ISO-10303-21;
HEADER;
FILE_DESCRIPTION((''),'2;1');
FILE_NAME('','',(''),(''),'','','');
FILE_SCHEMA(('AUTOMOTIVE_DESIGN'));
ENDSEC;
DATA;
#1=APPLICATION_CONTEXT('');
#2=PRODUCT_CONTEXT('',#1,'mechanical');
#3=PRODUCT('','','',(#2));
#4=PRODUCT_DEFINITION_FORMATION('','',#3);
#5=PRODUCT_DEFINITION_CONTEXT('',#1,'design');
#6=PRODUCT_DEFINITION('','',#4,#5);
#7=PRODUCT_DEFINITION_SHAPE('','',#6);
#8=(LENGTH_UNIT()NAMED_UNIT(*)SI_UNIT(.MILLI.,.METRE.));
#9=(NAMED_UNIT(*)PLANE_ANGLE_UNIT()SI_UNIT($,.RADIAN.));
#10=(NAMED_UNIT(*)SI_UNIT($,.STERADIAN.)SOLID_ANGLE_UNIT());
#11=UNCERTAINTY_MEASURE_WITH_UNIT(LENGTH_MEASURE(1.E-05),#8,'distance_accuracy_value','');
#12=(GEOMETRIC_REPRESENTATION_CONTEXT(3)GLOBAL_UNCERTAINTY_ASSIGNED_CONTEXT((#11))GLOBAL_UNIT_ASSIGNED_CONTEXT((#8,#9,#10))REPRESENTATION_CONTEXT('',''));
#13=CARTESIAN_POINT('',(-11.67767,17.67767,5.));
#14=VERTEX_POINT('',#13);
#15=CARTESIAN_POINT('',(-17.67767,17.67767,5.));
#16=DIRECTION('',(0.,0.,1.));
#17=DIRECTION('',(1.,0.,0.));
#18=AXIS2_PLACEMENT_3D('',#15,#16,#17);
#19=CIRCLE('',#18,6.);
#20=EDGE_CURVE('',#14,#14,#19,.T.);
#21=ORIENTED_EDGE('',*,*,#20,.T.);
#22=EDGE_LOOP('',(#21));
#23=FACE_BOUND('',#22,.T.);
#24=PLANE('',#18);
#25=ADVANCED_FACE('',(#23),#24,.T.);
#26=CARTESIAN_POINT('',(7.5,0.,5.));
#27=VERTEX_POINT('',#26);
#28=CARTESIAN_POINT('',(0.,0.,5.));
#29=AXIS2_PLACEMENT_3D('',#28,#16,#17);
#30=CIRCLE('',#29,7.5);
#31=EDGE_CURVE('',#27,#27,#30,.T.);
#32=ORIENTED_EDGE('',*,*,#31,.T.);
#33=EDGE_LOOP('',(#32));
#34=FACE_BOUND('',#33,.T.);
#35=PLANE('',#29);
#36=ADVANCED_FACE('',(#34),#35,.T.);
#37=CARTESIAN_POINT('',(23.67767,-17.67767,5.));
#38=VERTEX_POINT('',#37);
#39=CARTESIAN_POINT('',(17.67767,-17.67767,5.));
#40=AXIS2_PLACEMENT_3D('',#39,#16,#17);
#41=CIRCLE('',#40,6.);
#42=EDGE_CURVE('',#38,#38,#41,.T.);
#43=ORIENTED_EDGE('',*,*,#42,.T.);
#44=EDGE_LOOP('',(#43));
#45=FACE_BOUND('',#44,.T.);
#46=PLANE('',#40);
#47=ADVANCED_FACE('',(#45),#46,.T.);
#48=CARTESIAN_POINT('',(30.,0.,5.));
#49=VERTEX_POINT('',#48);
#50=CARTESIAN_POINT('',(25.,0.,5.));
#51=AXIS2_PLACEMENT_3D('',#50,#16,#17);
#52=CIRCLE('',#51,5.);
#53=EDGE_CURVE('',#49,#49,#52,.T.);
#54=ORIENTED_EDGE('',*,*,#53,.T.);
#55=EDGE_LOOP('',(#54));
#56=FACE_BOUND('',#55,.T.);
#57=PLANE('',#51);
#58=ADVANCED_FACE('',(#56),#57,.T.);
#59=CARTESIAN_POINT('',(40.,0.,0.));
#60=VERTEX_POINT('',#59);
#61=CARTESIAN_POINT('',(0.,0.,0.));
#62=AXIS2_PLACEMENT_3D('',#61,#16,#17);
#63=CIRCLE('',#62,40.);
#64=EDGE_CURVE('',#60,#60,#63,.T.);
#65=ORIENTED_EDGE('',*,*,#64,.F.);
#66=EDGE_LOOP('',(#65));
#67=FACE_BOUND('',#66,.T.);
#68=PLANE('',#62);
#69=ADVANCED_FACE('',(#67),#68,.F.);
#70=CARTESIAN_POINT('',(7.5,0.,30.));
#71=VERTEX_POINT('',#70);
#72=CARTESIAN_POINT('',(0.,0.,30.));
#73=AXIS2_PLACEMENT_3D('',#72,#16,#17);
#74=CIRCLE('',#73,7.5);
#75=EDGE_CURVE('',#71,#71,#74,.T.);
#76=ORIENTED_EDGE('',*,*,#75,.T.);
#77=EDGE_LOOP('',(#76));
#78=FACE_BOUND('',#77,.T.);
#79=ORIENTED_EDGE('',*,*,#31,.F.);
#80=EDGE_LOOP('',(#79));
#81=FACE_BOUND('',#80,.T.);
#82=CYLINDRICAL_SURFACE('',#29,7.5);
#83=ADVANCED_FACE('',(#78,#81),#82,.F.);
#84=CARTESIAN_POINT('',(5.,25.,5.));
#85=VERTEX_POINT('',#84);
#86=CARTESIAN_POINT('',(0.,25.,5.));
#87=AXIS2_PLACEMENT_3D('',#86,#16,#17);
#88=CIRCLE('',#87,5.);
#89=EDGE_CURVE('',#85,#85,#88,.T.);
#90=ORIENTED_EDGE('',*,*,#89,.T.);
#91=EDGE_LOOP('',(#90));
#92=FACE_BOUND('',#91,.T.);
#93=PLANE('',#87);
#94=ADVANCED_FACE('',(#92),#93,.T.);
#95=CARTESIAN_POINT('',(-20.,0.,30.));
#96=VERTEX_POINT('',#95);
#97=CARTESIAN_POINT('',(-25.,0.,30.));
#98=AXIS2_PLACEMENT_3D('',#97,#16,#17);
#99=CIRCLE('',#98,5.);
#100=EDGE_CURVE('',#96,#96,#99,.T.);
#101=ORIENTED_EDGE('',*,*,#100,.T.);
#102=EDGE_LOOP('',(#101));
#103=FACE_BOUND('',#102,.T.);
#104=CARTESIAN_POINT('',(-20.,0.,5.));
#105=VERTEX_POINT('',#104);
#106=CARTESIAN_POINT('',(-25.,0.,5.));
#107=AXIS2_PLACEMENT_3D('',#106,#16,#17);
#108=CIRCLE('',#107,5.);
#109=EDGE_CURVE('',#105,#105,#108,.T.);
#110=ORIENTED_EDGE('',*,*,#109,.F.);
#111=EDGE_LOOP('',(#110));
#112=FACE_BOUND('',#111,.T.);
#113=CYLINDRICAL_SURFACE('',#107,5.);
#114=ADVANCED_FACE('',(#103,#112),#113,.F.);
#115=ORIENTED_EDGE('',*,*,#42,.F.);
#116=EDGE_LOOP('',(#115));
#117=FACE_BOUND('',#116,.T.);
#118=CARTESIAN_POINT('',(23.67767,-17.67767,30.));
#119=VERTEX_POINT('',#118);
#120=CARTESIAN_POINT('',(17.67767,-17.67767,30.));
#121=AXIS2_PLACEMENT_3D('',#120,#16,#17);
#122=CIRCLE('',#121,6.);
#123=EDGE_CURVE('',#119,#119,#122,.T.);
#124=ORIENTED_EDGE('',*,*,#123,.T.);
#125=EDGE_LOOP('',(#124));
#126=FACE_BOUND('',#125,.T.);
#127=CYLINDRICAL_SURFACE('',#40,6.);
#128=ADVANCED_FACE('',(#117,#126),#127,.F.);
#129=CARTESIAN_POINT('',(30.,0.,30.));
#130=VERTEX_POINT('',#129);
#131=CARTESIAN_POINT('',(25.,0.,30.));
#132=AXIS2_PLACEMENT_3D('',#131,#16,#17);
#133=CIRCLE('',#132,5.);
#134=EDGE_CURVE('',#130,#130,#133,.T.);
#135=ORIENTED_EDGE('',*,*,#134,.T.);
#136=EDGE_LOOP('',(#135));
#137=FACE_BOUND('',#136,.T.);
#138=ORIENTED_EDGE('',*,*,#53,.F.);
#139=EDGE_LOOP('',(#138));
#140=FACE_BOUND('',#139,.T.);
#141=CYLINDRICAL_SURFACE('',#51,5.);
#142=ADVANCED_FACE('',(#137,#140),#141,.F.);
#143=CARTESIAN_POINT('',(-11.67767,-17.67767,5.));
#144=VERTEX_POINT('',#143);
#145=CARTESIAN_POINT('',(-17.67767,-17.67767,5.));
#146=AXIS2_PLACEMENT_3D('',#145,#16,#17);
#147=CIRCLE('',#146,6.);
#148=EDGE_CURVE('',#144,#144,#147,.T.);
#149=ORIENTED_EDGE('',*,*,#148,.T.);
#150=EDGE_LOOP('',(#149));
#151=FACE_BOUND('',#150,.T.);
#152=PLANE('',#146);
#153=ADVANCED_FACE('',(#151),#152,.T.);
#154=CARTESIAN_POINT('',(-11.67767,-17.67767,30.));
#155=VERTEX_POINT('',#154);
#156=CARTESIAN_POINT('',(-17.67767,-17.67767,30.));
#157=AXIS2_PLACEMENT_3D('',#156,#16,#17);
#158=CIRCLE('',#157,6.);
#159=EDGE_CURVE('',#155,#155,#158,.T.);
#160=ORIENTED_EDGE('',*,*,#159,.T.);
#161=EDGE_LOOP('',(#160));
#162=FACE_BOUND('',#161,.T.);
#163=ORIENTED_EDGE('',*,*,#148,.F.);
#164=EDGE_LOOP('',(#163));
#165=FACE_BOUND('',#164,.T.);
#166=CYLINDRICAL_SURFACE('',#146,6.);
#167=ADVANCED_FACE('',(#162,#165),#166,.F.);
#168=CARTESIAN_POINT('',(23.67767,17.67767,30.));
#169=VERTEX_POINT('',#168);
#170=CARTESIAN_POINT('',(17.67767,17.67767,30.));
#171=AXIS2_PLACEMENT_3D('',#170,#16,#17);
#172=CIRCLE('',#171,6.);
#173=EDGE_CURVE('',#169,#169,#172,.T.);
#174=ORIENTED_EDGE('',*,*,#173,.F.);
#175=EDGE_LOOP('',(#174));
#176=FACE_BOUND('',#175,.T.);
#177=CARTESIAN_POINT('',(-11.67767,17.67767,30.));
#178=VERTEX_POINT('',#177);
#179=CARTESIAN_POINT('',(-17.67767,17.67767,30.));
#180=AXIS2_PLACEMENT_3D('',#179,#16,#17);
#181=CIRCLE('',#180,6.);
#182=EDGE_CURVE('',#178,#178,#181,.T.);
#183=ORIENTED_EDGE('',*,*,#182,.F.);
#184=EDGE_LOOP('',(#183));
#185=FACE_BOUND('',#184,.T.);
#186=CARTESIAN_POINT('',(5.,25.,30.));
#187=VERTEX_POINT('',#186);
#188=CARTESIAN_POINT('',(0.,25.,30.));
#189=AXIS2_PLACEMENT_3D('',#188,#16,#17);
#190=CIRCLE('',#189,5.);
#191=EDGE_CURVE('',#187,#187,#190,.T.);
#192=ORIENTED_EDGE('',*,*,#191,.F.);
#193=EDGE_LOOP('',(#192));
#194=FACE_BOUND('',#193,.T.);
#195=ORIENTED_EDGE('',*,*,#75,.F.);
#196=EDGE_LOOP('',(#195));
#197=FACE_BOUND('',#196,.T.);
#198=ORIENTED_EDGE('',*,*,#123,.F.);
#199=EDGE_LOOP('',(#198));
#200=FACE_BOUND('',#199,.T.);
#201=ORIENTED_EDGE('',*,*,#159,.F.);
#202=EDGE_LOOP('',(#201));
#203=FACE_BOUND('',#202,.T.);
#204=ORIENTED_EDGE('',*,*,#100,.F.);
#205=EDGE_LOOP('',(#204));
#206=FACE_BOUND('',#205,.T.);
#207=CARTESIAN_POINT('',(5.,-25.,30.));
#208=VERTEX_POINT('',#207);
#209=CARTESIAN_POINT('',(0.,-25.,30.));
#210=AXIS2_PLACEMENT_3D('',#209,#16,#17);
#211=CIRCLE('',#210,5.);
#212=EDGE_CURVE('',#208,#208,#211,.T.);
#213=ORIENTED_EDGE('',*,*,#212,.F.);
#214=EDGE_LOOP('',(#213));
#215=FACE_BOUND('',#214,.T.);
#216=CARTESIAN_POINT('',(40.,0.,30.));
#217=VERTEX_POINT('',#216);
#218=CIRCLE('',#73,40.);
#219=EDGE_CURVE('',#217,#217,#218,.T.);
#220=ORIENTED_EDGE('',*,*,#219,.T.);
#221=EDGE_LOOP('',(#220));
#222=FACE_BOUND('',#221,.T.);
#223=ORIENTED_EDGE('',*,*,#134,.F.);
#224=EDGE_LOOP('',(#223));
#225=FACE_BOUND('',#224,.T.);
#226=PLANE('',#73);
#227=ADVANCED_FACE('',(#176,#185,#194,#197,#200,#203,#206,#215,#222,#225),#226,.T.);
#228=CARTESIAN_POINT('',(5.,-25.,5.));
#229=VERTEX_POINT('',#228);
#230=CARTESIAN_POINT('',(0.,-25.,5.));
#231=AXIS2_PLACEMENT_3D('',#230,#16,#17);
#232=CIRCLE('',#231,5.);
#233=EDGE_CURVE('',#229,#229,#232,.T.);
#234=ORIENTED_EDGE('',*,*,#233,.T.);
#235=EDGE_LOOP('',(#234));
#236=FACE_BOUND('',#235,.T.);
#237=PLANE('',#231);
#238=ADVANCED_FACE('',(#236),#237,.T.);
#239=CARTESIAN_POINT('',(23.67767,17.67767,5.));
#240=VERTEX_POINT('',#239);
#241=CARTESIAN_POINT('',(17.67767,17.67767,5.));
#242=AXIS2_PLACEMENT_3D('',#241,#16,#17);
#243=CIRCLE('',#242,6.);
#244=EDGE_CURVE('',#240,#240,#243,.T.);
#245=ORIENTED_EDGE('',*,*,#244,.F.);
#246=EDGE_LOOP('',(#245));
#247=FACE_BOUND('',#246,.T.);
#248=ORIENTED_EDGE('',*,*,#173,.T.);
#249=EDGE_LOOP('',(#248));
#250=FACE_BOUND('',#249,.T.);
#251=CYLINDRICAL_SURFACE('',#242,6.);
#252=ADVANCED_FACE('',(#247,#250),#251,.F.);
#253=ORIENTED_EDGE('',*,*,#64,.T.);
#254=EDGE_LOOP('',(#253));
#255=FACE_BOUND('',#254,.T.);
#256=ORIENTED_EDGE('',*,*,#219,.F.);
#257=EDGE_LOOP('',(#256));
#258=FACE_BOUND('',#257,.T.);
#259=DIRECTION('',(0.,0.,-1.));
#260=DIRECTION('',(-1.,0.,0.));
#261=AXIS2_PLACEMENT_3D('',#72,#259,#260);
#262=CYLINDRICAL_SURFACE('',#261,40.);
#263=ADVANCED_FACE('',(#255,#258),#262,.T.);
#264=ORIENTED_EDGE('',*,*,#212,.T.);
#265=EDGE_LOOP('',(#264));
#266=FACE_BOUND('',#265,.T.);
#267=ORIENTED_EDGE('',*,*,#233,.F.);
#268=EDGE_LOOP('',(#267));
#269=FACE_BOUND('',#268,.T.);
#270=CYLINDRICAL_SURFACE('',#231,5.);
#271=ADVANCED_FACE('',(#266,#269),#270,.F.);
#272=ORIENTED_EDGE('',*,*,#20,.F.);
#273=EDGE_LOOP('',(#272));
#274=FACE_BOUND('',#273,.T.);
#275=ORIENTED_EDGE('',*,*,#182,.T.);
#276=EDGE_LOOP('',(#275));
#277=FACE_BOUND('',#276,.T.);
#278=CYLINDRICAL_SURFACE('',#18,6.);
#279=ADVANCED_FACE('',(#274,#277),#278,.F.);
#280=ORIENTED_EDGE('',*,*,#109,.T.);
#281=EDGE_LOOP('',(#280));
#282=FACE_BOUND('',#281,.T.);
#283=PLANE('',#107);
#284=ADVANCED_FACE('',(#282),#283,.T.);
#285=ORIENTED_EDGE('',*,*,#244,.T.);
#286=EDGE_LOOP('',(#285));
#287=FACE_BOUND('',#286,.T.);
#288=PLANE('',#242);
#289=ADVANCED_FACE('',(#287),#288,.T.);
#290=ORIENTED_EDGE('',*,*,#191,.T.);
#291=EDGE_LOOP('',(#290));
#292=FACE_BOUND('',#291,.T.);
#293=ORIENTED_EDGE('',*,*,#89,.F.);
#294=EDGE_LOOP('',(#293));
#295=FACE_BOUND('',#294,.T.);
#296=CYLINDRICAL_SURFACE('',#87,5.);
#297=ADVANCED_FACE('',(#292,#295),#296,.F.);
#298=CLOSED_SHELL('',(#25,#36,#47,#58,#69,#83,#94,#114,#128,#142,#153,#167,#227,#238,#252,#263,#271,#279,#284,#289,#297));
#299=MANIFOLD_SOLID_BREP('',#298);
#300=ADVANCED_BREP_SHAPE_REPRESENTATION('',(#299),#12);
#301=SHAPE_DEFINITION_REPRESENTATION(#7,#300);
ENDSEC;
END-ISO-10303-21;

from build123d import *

# Parameters (mm, degrees)
SKIZZE1_R                       = 40
AUFSATZ_LINEAR_AUSTRAGEN1_DEPTH = 30
SKIZZE2_R                       = 5
SCHNITT_LINEAR_AUSTRAGEN1_DEPTH = 25
SKIZZE4_R                       = 6
SCHNITT_LINEAR_AUSTRAGEN5_DEPTH = 25
SKIZZE5_R                       = 7.5
SCHNITT_LINEAR_AUSTRAGEN6_DEPTH = 25


with BuildPart() as part:
    # Skizze1 → Aufsatz-Linear austragen1 (new body)
    with BuildSketch(Plane.XY):
        Circle(SKIZZE1_R)
    extrude(amount=AUFSATZ_LINEAR_AUSTRAGEN1_DEPTH)

    # Skizze2 → Schnitt-Linear austragen1 (cut)
    with BuildSketch(Plane.XY.offset(30)):
        with Locations((25, 0)):
            Circle(SKIZZE2_R)
        with Locations((0, -25)):
            Circle(SKIZZE2_R)
        with Locations((-25, 0)):
            Circle(SKIZZE2_R)
        with Locations((0, 25)):
            Circle(SKIZZE2_R)
    extrude(amount=-SCHNITT_LINEAR_AUSTRAGEN1_DEPTH, mode=Mode.SUBTRACT)

    # Skizze4 → Schnitt-Linear austragen5 (cut)
    with BuildSketch(Plane.XY.offset(30)):
        with Locations((17.67766953, 17.67766953)):
            Circle(SKIZZE4_R)
        with Locations((17.67766953, -17.67766953)):
            Circle(SKIZZE4_R)
        with Locations((-17.67766953, -17.67766953)):
            Circle(SKIZZE4_R)
        with Locations((-17.67766953, 17.67766953)):
            Circle(SKIZZE4_R)
    extrude(amount=-SCHNITT_LINEAR_AUSTRAGEN5_DEPTH, mode=Mode.SUBTRACT)

    # Skizze5 → Schnitt-Linear austragen6 (cut)
    with BuildSketch(Plane.XY.offset(30)):
        Circle(SKIZZE5_R)
    extrude(amount=-SCHNITT_LINEAR_AUSTRAGEN6_DEPTH, mode=Mode.SUBTRACT)


solid = part.part
